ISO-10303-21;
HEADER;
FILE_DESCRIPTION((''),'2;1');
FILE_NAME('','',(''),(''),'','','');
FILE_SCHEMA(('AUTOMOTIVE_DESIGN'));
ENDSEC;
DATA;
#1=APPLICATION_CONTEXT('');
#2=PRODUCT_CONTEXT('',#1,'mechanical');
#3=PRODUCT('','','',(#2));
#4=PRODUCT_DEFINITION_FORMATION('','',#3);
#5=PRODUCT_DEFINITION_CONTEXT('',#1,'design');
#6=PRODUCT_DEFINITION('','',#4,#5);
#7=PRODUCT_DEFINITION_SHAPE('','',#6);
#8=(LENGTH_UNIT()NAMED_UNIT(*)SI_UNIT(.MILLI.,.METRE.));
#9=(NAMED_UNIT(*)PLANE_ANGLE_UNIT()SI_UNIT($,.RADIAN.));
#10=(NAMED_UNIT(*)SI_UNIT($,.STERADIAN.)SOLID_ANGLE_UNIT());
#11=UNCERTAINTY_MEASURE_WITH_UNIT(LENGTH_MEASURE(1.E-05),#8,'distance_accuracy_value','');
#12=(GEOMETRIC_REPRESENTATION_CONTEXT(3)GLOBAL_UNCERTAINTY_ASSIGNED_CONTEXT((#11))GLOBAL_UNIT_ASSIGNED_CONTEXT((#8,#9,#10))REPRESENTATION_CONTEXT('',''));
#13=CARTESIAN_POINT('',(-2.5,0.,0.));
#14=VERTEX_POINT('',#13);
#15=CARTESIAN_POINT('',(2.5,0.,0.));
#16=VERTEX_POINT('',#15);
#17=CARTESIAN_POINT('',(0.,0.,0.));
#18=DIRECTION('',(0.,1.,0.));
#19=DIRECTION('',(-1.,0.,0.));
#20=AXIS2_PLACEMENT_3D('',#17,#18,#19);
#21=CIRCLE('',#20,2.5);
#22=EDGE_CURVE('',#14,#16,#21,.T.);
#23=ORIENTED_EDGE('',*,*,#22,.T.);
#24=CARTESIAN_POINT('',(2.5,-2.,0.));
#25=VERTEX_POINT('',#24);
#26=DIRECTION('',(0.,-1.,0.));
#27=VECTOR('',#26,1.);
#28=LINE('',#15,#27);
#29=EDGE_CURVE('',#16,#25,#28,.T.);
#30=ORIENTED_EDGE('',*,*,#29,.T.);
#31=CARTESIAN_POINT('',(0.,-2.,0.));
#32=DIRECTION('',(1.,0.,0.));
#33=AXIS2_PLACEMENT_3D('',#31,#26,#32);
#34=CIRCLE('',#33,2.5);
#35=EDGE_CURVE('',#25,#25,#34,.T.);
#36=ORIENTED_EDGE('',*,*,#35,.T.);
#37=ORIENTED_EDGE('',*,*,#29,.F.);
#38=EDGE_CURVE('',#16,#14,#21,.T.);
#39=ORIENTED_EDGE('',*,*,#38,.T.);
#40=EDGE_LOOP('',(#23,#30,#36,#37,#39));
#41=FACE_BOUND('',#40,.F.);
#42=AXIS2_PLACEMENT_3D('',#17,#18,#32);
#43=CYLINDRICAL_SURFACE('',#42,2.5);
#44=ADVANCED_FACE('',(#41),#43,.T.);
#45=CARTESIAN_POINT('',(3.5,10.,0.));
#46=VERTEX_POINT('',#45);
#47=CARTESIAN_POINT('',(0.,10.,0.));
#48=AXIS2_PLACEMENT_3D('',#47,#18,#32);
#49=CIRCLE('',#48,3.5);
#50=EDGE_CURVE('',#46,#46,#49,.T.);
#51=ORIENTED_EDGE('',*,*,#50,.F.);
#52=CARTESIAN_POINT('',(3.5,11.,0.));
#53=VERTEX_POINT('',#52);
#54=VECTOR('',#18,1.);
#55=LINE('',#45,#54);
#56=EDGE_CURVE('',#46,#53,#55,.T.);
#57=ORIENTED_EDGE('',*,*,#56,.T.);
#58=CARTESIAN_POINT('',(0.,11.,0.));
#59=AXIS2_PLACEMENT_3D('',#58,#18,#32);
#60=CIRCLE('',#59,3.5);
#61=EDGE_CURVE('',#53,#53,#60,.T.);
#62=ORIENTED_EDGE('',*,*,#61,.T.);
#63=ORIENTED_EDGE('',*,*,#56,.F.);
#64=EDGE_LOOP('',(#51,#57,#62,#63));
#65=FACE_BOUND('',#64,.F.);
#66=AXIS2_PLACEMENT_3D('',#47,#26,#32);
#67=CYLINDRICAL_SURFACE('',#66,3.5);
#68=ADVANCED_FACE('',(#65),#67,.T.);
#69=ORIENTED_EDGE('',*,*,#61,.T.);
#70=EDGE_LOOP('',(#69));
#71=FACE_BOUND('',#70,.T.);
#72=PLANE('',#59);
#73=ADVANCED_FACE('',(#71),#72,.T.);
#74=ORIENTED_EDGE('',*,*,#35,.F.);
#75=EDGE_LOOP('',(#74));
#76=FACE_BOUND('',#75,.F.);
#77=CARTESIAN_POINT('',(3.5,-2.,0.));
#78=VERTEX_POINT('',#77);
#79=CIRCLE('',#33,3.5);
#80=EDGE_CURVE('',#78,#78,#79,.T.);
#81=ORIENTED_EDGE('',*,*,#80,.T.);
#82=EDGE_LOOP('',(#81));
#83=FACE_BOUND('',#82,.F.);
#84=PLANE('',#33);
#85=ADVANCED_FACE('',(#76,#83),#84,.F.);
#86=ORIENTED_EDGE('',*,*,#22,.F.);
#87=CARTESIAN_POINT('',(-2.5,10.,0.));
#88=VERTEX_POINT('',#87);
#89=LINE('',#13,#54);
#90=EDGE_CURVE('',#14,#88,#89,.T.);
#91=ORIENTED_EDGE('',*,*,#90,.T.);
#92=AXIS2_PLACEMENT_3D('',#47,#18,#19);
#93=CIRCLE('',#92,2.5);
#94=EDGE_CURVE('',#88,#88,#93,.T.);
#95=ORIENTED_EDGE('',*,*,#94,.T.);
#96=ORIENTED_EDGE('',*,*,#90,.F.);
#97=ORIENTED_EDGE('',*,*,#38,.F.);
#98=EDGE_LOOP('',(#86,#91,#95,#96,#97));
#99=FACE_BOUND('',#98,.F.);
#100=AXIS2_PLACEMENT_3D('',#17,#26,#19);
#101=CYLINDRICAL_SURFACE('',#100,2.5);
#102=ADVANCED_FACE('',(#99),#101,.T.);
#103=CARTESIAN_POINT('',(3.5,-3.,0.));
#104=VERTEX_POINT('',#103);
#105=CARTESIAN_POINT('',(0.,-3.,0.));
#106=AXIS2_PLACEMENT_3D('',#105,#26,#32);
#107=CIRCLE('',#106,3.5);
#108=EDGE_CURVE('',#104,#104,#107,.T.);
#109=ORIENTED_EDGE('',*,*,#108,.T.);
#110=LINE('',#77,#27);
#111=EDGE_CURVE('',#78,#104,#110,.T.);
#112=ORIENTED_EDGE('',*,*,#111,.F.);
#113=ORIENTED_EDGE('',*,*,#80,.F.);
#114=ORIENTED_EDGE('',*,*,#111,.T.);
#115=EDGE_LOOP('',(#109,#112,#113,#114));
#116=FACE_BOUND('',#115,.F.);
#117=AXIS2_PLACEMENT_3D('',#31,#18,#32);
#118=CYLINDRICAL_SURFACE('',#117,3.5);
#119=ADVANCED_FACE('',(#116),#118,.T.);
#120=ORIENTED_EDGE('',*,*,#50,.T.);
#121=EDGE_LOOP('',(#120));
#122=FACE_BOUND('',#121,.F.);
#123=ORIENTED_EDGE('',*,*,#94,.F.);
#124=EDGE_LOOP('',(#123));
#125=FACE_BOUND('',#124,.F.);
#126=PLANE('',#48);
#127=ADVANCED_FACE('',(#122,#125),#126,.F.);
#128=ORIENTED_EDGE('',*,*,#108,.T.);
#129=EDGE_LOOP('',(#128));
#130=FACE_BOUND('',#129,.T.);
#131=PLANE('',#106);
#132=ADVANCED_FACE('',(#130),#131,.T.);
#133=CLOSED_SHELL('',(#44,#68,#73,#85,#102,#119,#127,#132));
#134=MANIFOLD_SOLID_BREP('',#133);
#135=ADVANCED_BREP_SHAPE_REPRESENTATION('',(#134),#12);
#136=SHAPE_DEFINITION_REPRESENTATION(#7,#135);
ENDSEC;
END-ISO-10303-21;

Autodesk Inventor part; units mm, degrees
ref_plane "YZ Plane" through (0, 0, 0) normal (1, 0, 0) x (0, 1, 0)
ref_plane "XZ Plane" through (0, 0, 0) normal (0, 1, 0) x (-1, 0, 0)
ref_plane "XY Plane" through (0, 0, 0) normal (0, 0, 1) x (1, 0, 0)
sketch "Szkic1" plane through (0, 0, 0) normal (0, 1, 0) x (-1, 0, 0)
  circle A0 centre (0, 0) radius 2.5
  dimension "d0" = 5
extrude "Wyciągnięcie proste1" add sketch "Szkic1" along normal blind 10
sketch "Szkic2" plane through (0, 10, 0) normal (0, 1, 0) x (1, 0, 0)
  circle A0 centre (0, 0) radius 3.5
  dimension "d3" = 7
extrude "Wyciągnięcie proste2" add sketch "Szkic2" along normal blind 1
sketch "Szkic3" plane through (0, 0, 0) normal (0, -1, 0) x (1, 0, 0)
  circle A0 centre (0, 0) radius 2.5
extrude "Wyciągnięcie proste3" add sketch "Szkic3" along normal blind 2
sketch "Szkic4" plane through (0, -2, 0) normal (0, -1, 0) x (1, 0, 0)
  circle A0 centre (0, 0) radius 3.5
extrude "Wyciągnięcie proste4" add sketch "Szkic4" along normal blind 1
properties part number "nit fi5 dłuższy" material "Stal, węglowa"
